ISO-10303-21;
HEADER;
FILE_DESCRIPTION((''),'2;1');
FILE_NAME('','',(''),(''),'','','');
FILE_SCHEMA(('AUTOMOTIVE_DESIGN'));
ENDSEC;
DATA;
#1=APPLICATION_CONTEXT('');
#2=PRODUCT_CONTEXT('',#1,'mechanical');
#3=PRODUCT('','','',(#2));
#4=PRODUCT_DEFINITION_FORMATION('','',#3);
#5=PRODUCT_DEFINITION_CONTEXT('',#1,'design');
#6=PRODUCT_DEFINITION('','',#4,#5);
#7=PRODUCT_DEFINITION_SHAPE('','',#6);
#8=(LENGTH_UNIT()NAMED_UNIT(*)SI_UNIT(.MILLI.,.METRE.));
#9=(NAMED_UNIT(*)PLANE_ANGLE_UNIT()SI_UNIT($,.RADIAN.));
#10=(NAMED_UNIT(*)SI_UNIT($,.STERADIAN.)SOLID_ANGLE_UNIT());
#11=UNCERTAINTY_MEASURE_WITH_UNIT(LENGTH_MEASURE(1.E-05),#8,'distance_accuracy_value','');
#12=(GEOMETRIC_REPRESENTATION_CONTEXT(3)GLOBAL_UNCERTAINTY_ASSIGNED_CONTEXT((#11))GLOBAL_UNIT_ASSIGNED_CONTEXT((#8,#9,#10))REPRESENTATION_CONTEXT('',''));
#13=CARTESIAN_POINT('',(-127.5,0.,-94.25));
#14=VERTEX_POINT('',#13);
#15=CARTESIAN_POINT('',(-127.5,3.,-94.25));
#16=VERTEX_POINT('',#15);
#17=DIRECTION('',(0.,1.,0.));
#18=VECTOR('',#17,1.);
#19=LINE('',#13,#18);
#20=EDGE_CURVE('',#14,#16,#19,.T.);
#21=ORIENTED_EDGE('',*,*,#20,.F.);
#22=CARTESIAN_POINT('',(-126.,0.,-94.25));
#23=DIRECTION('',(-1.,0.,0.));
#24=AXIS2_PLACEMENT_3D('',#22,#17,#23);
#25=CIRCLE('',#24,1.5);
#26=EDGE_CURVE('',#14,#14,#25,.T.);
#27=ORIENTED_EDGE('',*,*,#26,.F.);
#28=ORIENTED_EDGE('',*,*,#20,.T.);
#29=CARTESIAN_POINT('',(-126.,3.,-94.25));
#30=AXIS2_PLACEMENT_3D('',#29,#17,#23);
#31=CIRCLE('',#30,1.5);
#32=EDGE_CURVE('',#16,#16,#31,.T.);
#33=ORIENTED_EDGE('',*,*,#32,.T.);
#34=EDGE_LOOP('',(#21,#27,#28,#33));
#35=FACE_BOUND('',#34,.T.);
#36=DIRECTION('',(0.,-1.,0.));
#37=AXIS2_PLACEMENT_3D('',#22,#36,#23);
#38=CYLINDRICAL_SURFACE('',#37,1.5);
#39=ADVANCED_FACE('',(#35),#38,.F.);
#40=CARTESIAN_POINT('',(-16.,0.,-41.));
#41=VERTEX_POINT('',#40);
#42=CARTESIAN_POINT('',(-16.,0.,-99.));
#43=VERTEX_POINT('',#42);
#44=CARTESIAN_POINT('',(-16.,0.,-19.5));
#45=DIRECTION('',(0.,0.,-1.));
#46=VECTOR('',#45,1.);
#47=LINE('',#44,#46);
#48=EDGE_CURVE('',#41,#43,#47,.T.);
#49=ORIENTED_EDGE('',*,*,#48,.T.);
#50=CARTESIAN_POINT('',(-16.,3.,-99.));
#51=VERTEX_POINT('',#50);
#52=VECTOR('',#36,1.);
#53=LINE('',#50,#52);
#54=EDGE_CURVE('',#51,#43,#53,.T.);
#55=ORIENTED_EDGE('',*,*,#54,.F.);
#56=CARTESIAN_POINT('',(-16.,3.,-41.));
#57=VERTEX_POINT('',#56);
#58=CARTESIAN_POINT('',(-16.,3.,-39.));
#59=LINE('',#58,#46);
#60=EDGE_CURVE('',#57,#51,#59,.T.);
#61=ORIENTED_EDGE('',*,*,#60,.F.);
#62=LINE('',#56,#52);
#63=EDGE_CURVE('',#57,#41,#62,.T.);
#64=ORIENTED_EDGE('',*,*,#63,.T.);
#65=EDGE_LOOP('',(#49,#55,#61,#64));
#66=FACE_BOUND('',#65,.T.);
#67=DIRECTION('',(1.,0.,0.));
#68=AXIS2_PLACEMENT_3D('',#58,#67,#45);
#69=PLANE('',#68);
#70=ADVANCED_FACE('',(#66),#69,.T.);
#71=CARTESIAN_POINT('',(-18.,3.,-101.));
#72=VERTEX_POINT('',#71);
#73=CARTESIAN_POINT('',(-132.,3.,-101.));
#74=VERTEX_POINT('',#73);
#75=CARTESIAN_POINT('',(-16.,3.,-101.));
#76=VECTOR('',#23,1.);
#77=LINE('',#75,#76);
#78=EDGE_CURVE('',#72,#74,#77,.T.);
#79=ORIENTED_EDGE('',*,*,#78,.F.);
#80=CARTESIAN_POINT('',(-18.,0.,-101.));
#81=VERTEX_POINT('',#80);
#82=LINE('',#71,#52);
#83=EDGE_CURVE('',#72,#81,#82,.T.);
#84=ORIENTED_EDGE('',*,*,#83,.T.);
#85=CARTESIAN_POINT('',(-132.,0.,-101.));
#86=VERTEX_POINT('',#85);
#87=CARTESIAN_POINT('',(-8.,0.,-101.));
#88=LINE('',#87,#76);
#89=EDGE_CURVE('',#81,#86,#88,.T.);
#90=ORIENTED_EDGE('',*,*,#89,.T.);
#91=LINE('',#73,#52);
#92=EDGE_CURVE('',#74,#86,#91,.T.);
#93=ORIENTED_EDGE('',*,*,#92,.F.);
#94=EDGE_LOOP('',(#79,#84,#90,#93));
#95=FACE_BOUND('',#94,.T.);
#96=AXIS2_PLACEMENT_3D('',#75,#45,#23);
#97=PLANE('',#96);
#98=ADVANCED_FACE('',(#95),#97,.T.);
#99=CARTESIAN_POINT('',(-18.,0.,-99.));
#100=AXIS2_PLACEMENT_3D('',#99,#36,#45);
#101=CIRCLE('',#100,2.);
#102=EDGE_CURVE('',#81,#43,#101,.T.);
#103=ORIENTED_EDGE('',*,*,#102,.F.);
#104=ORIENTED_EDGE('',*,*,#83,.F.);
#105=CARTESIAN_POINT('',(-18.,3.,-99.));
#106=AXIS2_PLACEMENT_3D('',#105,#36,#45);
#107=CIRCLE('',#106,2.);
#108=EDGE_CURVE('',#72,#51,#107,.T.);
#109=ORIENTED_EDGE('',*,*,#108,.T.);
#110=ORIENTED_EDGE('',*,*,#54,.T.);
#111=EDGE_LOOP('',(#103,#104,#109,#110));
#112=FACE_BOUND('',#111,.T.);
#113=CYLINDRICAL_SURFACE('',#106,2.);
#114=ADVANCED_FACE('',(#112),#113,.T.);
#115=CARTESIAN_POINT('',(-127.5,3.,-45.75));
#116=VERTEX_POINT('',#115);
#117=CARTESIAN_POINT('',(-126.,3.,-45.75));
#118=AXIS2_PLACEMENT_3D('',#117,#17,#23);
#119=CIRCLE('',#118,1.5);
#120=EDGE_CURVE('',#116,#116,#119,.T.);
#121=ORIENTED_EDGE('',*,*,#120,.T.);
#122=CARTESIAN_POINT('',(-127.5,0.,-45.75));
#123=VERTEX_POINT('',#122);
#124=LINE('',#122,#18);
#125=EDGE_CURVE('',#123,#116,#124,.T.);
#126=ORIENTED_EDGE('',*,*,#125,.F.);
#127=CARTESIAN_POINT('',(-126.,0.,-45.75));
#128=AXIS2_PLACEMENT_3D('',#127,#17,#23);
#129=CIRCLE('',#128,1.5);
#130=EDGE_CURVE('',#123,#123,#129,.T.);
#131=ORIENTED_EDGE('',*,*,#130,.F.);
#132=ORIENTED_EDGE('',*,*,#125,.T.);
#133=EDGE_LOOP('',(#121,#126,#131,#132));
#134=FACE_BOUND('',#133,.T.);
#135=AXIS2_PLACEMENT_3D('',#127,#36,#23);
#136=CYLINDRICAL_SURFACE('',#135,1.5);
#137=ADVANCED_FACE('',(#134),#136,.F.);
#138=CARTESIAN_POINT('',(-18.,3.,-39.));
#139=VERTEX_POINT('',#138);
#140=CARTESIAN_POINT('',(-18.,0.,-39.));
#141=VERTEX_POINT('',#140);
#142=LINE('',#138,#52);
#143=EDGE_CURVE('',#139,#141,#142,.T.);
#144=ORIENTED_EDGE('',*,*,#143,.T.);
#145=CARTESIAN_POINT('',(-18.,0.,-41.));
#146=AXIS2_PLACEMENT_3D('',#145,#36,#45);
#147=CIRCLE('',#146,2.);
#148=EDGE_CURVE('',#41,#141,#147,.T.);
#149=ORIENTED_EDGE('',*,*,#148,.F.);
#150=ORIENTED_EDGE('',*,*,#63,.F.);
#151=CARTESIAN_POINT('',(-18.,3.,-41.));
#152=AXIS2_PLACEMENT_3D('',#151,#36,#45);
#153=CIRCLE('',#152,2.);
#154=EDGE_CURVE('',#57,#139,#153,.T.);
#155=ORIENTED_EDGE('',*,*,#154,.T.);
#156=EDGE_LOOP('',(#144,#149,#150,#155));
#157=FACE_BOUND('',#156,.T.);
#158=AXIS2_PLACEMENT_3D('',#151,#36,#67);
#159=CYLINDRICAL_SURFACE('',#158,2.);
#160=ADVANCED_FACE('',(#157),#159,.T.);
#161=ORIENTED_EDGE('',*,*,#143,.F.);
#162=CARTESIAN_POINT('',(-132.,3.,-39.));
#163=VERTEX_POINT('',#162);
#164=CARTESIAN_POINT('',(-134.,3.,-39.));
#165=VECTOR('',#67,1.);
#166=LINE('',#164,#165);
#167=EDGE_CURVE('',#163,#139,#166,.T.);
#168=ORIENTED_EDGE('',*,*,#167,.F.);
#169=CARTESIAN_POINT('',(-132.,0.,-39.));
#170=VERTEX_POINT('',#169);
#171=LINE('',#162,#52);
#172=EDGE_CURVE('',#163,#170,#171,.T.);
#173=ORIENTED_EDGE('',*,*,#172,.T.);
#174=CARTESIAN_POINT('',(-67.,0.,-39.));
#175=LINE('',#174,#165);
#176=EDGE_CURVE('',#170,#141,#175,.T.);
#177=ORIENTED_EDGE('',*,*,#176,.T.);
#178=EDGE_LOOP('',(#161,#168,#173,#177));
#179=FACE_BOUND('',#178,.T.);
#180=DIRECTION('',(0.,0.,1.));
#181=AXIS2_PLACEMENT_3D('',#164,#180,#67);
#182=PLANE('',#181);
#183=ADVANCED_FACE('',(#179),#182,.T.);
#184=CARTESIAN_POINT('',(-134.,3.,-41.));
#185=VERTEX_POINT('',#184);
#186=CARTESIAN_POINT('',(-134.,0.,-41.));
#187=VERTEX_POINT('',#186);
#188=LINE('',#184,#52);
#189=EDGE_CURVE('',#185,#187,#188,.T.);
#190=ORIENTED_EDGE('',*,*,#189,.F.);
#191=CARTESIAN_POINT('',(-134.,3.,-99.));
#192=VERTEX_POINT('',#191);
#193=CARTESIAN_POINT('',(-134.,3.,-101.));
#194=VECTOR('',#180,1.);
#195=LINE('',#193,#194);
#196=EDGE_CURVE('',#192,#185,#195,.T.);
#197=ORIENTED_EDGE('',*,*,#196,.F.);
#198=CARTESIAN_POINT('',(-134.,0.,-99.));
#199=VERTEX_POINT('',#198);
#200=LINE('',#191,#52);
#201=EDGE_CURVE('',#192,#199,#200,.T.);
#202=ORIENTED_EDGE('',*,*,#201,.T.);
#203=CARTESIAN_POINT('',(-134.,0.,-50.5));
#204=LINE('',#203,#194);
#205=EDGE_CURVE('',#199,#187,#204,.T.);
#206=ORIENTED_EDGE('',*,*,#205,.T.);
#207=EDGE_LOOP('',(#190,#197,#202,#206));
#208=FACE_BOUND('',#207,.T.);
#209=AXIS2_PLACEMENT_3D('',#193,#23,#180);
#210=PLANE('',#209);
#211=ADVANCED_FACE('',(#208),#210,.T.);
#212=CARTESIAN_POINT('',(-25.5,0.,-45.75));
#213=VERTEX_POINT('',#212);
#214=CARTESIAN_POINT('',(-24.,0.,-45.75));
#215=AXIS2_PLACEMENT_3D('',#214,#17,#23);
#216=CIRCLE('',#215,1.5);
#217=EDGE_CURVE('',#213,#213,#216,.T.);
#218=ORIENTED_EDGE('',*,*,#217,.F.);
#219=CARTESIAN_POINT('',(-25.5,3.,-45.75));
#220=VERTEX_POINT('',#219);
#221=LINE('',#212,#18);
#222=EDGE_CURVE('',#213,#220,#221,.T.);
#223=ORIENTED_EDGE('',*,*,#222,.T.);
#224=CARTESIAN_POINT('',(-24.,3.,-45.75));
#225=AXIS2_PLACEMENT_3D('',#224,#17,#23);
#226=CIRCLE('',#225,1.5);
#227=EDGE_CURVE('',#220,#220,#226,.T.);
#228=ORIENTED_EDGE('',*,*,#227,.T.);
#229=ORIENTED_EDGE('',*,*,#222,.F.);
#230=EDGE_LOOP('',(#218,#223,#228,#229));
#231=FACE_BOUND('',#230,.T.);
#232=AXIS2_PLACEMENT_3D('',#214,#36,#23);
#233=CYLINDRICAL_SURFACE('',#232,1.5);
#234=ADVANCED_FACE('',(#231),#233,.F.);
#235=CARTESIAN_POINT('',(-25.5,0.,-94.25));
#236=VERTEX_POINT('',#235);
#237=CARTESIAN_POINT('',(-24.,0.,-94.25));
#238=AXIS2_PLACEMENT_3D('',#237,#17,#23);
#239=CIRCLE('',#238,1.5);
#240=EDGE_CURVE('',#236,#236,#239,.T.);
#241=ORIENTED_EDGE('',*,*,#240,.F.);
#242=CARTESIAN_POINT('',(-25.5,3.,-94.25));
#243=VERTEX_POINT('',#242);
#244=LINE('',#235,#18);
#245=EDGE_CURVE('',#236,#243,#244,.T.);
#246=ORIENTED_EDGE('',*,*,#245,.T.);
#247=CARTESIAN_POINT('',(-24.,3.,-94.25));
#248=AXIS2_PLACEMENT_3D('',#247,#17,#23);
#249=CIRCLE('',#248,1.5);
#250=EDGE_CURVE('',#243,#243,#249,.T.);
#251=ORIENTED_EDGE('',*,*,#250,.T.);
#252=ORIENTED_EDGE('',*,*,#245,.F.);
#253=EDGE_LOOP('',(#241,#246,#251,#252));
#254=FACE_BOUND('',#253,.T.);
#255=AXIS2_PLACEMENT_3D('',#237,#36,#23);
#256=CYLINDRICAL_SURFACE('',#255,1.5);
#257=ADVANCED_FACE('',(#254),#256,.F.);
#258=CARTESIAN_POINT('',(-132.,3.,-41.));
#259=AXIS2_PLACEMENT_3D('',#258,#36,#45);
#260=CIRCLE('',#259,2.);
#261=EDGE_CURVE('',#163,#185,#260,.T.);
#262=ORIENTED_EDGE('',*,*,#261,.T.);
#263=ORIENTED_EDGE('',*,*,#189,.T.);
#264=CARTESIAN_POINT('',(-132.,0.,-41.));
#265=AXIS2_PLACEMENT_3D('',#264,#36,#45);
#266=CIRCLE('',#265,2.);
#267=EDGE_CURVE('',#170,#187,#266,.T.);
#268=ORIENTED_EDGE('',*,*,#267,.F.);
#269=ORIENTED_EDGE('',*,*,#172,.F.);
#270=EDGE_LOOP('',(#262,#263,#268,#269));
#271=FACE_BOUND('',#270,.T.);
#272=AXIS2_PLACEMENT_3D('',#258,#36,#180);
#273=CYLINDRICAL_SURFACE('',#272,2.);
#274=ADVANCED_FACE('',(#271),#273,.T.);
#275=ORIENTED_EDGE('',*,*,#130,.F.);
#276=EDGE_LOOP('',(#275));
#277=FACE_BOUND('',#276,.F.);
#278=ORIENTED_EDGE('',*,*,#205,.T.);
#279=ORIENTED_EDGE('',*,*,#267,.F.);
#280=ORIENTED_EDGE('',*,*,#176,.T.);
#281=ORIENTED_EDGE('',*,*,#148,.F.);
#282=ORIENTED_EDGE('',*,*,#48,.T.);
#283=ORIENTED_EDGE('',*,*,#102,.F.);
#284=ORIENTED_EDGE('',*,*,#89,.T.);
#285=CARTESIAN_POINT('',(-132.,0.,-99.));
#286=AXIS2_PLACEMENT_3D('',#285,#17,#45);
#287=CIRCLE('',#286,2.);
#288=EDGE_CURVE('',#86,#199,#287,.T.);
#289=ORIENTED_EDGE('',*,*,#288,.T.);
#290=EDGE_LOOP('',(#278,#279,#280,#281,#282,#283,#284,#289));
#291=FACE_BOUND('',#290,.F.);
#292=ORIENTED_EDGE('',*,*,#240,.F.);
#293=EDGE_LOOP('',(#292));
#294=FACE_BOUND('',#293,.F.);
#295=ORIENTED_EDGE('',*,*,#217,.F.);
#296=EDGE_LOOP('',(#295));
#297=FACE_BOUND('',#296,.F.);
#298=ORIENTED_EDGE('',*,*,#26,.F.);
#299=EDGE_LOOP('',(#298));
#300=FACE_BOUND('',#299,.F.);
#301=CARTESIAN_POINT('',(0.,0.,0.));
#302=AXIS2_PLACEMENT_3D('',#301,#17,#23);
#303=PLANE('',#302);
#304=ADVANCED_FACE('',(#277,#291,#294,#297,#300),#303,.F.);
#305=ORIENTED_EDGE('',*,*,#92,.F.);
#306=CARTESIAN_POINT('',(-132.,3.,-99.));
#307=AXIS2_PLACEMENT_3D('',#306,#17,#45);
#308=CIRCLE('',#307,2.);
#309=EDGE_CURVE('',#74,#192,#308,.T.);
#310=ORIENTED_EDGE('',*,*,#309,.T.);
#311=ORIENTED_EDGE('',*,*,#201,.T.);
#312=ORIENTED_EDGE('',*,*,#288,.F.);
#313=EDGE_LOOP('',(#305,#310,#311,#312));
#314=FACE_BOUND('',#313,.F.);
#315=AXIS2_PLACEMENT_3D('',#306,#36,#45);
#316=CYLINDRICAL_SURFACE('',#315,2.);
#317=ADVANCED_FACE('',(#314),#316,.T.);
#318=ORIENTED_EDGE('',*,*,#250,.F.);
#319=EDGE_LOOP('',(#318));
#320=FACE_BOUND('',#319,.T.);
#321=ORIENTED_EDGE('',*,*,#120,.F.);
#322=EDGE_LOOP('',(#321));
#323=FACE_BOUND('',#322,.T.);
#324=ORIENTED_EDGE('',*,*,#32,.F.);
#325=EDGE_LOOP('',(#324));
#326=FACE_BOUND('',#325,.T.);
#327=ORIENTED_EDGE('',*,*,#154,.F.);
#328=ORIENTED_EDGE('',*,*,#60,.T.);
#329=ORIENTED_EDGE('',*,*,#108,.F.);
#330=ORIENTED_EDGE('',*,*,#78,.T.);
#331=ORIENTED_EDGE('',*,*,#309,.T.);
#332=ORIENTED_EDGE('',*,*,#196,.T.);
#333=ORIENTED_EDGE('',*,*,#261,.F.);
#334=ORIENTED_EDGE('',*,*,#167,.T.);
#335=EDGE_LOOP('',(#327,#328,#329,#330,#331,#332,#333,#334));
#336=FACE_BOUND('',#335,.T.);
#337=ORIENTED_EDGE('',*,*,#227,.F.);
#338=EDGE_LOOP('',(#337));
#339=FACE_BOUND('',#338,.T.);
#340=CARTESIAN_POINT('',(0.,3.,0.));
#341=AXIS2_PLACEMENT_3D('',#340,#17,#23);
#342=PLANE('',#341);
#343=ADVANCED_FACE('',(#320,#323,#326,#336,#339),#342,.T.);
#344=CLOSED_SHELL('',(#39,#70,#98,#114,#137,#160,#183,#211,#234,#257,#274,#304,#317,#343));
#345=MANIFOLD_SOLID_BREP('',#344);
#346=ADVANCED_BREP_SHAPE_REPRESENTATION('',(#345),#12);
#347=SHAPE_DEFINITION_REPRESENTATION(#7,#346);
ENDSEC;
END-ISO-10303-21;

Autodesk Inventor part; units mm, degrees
ref_plane "YZ Plane" through (0, 0, 0) normal (1, 0, 0) x (0, 1, 0)
ref_plane "XZ Plane" through (0, 0, 0) normal (0, 1, 0) x (-1, 0, 0)
ref_plane "XY Plane" through (0, 0, 0) normal (0, 0, 1) x (1, 0, 0)
sketch "Sketch1" plane through (0, 0, 0) normal (0, 1, 0) x (-1, 0, 0)
  line L0 (0, 0) -> (150, 0)
  line L1 (150, 0) -> (150, -140)
  line L2 (150, -140) -> (0, -140)
  line L3 (0, -140) -> (0, 0)
  line L4 (150, -70) -> (0, -70) construction
  line L5 (24, -45.75) -> (126, -45.75) construction
  line L6 (126, -45.75) -> (126, -94.25) construction
  line L7 (126, -94.25) -> (24, -94.25) construction
  line L8 (24, -94.25) -> (24, -45.75) construction
  line L9 (24, -45.75) -> (126, -94.25) construction
  line L10 (126, -45.75) -> (24, -94.25) construction
  circle A0 centre (126, -45.75) radius 1.5
  circle A1 centre (126, -94.25) radius 1.5
  circle A2 centre (24, -94.25) radius 1.5
  circle A3 centre (24, -45.75) radius 1.5
  point P0 (75, -70)
  dimension "d0" = 150
  dimension "d1" = 140
  dimension "d2" = 102
  dimension "d3" = 48.5
  dimension "d4" = 3
  dimension "d5" = 3
  dimension "d6" = 3
  dimension "d7" = 3
extrude "Extrusion1" add sketch "Sketch1" along normal blind 3
sketch "Sketch2" plane through (0, 3, 0) normal (0, 1, 0) x (1, 0, 0)
  line L0 (-150, 140) -> (-150, 0) projected
  line L1 (-150, 50) -> (-147, 50)
  line L2 (-147, 50) -> (-147, 90)
  line L3 (-147, 90) -> (-150, 90)
  line L4 (-150, 90) -> (-150, 50)
  line L5 (-147, 70) -> (-150, 70) construction
  line L6 (0, 0) -> (0, 140) projected
  line L7 (0, 70) -> (-150, 70) construction
  line L8 (-150, 0) -> (0, 0) projected
  line L9 (-75, 0) -> (-75, 98) construction
  line L10 (-95, 0) -> (-55, 0)
  line L11 (-55, 0) -> (-55, 3)
  line L12 (-55, 3) -> (-95, 3)
  line L13 (-95, 3) -> (-95, 0)
  line L14 (-75, 3) -> (-75, 0) construction
  line L15 (0, 50) -> (-3, 50)
  line L16 (-3, 50) -> (-3, 90)
  line L17 (-3, 90) -> (0, 90)
  line L18 (0, 90) -> (0, 50)
  line L19 (-3, 70) -> (0, 70) construction
  line L20 (-95, 140) -> (-55, 140)
  line L21 (-55, 140) -> (-55, 137)
  line L22 (-55, 137) -> (-95, 137)
  line L23 (-95, 137) -> (-95, 140)
  line L24 (-75, 137) -> (-75, 140) construction
  point P0 (0, 50)
  point P1 (0, 90)
  point P2 (-55, 0)
  dimension "d10" = 40
  dimension "d11" = 3
  dimension "d12" = 40
  dimension "d13" = 3
extrude "Extrusion2" cut sketch "Sketch2" against normal blind 5
sketch "Sketch3" plane through (0, 3, 0) normal (0, 1, 0) x (1, 0, 0)
  line L0 (-147, 50) -> (-147, 90) projected
  line L1 (-147, 70) -> (-3, 70) construction
  line L2 (-3, 50) -> (-3, 90) projected
  line L3 (-134, 39) -> (-16, 39)
  line L4 (-16, 39) -> (-16, 101)
  line L5 (-16, 101) -> (-134, 101)
  line L6 (-134, 101) -> (-134, 39)
  line L7 (-134, 39) -> (-16, 101) construction
  line L8 (-16, 39) -> (-134, 101) construction
  point P0 (0, 0)
  point P1 (-75, 70)
  dimension "d16" = 118
  dimension "d17" = 62
extrude "Extrusion3" cut sketch "Sketch3" against normal blind 10 keep common part
fillet "Fillet1" radius 2 4 edges at (-16, 1.5, -39) (-16, 1.5, -101) (-134, 1.5, -39) (-134, 1.5, -101)
properties part number "Spacer"
